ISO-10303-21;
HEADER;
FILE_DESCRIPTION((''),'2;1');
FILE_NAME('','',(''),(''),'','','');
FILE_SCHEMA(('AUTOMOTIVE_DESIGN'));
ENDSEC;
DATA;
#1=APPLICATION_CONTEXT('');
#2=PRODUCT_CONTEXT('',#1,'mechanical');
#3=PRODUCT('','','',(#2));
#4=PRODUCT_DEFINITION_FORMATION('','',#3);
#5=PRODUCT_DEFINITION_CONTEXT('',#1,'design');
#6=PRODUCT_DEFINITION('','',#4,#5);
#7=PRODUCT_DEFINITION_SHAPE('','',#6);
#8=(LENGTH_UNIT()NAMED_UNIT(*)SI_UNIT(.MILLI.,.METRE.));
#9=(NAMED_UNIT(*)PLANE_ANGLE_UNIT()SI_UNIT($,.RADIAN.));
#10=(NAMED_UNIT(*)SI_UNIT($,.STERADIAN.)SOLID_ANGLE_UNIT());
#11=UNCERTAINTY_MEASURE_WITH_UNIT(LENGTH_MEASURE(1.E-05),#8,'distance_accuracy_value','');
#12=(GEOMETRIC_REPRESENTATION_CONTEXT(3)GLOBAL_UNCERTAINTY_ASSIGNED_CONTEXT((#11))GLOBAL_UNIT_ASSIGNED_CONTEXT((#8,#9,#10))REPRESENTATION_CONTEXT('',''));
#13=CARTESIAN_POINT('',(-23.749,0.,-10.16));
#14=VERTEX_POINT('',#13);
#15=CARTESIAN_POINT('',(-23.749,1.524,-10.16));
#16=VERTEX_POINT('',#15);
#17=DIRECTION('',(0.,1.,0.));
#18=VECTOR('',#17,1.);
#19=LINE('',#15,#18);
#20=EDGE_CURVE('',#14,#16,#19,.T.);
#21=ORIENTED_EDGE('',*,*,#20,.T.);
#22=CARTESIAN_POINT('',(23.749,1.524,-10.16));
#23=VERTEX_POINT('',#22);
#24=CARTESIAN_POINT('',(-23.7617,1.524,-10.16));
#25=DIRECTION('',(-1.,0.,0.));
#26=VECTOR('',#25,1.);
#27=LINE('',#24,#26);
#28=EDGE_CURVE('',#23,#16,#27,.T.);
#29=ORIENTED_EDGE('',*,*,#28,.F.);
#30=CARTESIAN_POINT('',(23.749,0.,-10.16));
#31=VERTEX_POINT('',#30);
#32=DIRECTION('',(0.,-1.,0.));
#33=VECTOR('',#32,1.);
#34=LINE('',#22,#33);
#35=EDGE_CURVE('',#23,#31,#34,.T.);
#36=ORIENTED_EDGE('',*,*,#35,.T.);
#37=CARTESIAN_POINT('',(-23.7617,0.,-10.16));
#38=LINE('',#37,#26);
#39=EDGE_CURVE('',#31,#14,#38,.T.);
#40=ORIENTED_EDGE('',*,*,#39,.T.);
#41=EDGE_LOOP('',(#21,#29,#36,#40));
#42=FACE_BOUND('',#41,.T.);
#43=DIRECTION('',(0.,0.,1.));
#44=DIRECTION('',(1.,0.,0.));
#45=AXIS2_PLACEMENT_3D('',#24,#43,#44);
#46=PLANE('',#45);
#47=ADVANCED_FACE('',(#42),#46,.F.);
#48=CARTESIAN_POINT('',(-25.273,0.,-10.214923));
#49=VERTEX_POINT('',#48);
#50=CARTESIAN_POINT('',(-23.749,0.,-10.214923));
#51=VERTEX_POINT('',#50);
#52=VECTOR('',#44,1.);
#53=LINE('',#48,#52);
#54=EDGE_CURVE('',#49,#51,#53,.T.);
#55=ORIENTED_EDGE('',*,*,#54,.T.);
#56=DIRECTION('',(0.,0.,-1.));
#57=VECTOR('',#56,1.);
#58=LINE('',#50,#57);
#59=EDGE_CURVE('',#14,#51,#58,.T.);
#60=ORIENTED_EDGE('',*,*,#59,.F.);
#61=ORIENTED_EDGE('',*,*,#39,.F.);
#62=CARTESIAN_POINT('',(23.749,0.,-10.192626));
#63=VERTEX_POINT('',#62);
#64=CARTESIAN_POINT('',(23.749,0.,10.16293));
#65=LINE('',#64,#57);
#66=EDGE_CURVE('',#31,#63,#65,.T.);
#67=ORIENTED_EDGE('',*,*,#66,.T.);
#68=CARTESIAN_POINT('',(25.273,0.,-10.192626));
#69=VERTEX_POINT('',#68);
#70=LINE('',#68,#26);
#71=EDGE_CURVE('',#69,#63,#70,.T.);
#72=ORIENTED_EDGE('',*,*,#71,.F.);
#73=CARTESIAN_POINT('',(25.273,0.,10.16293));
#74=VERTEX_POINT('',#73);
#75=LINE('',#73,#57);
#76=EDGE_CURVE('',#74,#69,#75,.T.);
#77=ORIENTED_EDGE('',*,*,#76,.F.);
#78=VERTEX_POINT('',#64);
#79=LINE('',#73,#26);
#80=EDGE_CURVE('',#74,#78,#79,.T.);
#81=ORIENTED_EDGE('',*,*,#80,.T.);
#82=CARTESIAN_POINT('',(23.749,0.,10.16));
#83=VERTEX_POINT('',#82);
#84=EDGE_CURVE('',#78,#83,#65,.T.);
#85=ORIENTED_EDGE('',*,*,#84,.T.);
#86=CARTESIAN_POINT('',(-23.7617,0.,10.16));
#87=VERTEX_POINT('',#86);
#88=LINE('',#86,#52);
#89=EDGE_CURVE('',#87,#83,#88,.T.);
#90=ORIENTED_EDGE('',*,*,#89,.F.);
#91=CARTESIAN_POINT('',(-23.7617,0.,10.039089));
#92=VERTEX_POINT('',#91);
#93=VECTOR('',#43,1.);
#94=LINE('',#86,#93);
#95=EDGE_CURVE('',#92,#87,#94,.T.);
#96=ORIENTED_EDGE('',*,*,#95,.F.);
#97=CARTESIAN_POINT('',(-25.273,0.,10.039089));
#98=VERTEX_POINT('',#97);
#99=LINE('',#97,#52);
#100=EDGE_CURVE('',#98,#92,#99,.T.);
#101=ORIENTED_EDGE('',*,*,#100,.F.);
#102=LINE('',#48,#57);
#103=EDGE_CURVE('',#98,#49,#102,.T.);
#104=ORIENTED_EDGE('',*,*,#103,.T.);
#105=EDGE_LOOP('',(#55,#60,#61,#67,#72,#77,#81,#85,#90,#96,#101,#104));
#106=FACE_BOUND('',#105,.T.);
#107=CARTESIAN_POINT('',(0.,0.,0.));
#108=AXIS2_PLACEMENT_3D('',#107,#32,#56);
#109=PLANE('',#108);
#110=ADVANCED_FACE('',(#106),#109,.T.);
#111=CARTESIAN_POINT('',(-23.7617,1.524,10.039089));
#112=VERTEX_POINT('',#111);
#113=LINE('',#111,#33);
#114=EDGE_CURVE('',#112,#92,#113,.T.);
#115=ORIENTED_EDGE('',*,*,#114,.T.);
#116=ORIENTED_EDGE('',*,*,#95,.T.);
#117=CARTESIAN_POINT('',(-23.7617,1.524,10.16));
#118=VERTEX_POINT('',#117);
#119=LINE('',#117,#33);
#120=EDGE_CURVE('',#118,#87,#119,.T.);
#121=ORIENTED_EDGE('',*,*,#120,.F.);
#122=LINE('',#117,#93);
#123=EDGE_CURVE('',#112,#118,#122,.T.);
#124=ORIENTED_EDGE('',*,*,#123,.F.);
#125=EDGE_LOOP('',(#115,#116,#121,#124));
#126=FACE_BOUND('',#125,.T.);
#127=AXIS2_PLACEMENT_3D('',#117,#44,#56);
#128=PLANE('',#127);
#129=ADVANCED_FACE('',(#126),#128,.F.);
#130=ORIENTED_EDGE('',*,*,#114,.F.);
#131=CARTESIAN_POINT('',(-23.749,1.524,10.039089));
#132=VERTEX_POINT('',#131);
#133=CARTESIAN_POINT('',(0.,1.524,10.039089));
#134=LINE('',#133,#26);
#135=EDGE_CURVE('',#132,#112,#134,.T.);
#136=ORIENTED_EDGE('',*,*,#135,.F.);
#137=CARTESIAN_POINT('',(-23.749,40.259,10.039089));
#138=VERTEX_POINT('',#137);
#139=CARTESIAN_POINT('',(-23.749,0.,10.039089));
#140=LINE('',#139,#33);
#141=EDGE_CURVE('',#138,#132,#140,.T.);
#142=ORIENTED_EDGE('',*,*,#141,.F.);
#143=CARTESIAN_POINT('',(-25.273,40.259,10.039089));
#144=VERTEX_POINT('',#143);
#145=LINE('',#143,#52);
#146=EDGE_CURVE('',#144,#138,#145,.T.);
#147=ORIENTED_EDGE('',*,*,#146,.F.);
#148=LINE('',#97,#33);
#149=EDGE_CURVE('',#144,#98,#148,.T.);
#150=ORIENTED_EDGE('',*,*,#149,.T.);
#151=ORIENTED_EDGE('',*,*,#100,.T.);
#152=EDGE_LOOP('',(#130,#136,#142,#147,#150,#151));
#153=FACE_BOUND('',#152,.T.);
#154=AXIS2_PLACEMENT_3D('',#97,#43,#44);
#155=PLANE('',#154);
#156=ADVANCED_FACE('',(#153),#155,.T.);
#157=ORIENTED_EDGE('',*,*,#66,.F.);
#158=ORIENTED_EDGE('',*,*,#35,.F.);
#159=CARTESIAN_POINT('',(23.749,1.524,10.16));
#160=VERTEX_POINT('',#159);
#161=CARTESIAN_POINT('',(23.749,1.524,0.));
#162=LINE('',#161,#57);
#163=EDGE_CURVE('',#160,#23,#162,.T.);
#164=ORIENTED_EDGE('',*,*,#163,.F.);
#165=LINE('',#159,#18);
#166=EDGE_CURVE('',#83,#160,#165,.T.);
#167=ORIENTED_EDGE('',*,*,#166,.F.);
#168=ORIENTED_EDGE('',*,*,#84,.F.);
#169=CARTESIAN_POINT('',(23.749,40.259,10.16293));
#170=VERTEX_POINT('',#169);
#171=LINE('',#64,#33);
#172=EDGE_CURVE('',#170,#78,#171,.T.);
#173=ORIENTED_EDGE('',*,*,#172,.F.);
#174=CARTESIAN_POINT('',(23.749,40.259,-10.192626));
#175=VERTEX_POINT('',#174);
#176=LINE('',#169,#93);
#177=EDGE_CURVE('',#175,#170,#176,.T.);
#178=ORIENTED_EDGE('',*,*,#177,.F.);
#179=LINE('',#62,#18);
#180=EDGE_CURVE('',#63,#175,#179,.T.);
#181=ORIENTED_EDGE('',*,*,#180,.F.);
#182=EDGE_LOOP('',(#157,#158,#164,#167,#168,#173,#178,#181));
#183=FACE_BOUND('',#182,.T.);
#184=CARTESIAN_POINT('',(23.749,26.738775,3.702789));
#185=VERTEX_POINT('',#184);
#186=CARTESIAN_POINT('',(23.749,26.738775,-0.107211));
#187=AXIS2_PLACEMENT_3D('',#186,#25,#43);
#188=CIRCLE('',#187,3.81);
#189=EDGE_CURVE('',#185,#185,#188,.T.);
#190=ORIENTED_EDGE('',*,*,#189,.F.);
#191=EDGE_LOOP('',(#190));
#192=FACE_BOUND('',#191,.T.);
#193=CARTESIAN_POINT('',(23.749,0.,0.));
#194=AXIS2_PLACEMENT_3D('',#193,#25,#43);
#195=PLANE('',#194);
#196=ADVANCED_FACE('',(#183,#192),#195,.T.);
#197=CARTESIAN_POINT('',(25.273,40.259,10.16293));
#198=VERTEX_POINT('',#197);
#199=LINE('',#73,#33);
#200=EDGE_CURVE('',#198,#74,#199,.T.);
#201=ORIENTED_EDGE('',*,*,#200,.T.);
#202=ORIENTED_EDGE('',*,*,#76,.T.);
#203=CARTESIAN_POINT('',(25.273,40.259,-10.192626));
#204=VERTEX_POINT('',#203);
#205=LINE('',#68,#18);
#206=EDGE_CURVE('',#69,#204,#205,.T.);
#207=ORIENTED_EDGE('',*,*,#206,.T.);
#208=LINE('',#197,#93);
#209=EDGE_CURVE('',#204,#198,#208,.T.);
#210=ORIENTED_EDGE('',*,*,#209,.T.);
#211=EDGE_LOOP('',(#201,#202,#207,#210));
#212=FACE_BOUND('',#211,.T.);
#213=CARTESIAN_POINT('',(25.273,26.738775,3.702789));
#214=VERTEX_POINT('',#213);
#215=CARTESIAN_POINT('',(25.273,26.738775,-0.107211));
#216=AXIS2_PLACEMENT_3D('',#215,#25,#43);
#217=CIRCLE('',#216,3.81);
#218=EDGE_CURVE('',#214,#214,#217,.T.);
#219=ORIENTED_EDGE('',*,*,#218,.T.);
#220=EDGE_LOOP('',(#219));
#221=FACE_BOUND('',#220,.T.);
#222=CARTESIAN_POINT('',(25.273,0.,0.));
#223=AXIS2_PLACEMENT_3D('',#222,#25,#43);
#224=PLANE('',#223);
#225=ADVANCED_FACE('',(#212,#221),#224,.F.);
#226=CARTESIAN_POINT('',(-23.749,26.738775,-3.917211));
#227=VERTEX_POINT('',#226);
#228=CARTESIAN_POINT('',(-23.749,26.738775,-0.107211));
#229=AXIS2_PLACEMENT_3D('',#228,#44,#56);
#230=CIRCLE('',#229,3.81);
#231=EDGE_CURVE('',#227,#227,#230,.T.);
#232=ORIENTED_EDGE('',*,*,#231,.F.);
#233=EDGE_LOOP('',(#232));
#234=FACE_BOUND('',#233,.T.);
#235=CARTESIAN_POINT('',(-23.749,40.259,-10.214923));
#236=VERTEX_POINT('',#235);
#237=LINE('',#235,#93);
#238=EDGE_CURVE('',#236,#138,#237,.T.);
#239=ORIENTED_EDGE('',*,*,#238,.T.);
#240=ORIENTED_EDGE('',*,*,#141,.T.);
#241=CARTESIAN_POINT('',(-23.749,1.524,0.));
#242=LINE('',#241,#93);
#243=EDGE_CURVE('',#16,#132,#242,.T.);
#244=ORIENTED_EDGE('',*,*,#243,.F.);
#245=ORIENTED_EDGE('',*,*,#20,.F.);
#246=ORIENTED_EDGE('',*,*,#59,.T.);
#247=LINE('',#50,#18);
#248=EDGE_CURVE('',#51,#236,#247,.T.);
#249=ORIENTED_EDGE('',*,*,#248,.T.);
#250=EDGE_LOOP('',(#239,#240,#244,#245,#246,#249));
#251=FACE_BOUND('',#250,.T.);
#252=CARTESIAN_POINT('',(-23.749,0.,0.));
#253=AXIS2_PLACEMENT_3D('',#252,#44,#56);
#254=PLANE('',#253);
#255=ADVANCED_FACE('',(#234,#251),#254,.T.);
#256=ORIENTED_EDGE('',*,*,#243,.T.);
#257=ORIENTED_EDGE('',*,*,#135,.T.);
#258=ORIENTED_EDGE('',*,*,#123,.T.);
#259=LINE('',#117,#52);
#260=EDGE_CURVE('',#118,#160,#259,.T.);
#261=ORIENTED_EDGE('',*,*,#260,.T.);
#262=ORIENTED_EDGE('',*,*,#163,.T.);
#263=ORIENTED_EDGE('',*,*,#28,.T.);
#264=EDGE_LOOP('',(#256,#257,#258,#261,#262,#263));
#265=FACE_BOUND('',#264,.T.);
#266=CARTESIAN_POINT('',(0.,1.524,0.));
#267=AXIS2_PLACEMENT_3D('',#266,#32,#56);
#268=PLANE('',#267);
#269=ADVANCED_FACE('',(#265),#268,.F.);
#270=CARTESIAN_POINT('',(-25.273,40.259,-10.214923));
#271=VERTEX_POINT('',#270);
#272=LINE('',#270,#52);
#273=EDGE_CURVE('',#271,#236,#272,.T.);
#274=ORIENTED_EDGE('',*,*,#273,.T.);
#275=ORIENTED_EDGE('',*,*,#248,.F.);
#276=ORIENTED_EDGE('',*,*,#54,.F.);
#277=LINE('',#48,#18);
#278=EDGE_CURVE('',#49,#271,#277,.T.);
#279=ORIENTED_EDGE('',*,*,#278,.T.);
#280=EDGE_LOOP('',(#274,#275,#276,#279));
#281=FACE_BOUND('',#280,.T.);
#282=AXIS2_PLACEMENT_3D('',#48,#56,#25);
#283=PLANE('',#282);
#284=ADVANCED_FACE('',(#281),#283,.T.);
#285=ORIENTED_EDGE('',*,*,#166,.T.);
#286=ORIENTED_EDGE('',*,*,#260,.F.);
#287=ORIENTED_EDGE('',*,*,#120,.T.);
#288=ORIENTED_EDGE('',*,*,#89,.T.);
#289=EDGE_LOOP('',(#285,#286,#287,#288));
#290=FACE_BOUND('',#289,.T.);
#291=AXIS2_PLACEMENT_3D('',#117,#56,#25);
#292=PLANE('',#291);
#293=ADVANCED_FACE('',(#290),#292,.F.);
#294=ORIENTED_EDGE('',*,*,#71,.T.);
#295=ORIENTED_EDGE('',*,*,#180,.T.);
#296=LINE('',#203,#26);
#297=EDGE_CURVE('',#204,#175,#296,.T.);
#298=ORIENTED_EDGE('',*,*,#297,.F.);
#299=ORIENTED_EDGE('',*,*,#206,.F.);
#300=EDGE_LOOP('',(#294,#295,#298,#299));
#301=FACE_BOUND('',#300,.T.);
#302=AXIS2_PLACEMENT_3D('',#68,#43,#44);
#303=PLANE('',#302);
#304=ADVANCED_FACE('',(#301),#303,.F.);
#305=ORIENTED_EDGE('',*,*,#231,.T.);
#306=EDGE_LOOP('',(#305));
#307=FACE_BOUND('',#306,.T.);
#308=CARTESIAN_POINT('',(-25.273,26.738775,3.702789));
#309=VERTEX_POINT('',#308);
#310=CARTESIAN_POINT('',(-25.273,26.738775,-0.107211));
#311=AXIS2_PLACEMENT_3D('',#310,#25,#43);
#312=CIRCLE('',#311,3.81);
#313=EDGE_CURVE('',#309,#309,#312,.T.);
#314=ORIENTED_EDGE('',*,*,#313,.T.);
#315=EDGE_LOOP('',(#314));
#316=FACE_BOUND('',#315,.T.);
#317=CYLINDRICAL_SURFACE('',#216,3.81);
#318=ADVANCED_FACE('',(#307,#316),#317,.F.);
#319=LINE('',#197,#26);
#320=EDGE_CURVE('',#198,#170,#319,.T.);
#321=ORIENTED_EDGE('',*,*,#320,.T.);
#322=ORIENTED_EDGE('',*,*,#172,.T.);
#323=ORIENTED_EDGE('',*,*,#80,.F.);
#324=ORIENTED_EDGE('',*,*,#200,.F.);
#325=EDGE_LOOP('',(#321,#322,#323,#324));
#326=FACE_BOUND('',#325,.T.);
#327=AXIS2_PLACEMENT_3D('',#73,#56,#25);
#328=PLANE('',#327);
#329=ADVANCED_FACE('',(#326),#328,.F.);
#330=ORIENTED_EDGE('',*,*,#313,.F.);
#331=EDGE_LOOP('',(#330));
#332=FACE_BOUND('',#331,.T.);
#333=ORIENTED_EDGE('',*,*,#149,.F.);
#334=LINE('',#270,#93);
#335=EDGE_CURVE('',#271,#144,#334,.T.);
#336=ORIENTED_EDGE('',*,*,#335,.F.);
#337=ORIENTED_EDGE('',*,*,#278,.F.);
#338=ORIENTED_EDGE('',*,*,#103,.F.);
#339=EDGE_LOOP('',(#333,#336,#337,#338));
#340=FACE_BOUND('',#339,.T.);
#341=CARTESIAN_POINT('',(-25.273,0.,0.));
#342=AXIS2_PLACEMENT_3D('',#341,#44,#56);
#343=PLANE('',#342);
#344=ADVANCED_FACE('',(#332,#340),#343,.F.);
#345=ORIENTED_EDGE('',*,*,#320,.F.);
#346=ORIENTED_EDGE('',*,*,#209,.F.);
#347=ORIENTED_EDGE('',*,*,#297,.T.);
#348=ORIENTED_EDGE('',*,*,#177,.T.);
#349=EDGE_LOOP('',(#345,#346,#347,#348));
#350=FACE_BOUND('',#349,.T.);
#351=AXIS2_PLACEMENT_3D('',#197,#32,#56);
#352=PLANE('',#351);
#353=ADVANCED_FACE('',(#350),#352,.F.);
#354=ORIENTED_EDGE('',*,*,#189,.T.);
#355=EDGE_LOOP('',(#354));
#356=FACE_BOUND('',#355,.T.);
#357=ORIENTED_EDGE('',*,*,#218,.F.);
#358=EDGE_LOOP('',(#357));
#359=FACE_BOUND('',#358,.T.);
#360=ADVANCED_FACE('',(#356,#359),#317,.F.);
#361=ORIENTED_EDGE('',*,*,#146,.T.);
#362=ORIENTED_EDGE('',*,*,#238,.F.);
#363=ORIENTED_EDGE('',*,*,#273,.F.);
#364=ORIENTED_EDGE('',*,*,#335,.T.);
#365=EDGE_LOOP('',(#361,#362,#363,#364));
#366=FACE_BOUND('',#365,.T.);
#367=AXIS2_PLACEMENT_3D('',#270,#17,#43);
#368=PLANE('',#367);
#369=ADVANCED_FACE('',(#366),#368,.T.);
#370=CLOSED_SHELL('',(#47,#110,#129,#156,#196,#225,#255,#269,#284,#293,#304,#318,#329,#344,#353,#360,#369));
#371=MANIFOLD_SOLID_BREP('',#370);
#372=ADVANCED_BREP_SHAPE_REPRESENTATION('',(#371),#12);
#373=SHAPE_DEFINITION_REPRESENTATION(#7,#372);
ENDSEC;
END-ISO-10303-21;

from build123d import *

# Parameters (mm, degrees)
SKETCH1_W           = 47.5234
SKETCH1_H           = 20.32
BOSS_EXTRUDE1_DEPTH = 1.524
SKETCH2_W           = 20.254011441
SKETCH2_H           = 40.259
BOSS_EXTRUDE2_DEPTH = 1.524
SKETCH3_W           = 20.355556003
SKETCH3_H           = 40.259
BOSS_EXTRUDE3_DEPTH = 1.524
SKETCH5_R           = 3.81
CUT_EXTRUDE1_DEPTH  = 66.421937049


with BuildPart() as part:
    # Sketch1 → Boss-Extrude1 (new body)
    with BuildSketch(Plane(origin=(0, 0, 0), x_dir=(1, 0, 0), z_dir=(0, 1, 0))):
        Rectangle(SKETCH1_W, SKETCH1_H)
    extrude(amount=BOSS_EXTRUDE1_DEPTH)

    # Sketch2 → Boss-Extrude2 (add)
    with BuildSketch(Plane(origin=(-23.749, 0, 0), x_dir=(0, 0, -1), z_dir=(1, 0, 0))):
        with Locations((0.087917198, 20.1295)):
            Rectangle(SKETCH2_W, SKETCH2_H)
    extrude(amount=-BOSS_EXTRUDE2_DEPTH)

    # Sketch3 → Boss-Extrude3 (add)
    with BuildSketch(Plane(origin=(23.749, 0, 0), x_dir=(0, 0, -1), z_dir=(1, 0, 0))):
        with Locations((0.014847815, 20.1295)):
            Rectangle(SKETCH3_W, SKETCH3_H)
    extrude(amount=BOSS_EXTRUDE3_DEPTH)

    # Sketch5 → Cut-Extrude1 (cut, through all)
    with BuildSketch(Plane.ZY.offset(25.273)):
        with Locations((-0.107211081, 26.738775407)):
            Circle(SKETCH5_R)
    extrude(amount=-CUT_EXTRUDE1_DEPTH, mode=Mode.SUBTRACT)


solid = part.part
